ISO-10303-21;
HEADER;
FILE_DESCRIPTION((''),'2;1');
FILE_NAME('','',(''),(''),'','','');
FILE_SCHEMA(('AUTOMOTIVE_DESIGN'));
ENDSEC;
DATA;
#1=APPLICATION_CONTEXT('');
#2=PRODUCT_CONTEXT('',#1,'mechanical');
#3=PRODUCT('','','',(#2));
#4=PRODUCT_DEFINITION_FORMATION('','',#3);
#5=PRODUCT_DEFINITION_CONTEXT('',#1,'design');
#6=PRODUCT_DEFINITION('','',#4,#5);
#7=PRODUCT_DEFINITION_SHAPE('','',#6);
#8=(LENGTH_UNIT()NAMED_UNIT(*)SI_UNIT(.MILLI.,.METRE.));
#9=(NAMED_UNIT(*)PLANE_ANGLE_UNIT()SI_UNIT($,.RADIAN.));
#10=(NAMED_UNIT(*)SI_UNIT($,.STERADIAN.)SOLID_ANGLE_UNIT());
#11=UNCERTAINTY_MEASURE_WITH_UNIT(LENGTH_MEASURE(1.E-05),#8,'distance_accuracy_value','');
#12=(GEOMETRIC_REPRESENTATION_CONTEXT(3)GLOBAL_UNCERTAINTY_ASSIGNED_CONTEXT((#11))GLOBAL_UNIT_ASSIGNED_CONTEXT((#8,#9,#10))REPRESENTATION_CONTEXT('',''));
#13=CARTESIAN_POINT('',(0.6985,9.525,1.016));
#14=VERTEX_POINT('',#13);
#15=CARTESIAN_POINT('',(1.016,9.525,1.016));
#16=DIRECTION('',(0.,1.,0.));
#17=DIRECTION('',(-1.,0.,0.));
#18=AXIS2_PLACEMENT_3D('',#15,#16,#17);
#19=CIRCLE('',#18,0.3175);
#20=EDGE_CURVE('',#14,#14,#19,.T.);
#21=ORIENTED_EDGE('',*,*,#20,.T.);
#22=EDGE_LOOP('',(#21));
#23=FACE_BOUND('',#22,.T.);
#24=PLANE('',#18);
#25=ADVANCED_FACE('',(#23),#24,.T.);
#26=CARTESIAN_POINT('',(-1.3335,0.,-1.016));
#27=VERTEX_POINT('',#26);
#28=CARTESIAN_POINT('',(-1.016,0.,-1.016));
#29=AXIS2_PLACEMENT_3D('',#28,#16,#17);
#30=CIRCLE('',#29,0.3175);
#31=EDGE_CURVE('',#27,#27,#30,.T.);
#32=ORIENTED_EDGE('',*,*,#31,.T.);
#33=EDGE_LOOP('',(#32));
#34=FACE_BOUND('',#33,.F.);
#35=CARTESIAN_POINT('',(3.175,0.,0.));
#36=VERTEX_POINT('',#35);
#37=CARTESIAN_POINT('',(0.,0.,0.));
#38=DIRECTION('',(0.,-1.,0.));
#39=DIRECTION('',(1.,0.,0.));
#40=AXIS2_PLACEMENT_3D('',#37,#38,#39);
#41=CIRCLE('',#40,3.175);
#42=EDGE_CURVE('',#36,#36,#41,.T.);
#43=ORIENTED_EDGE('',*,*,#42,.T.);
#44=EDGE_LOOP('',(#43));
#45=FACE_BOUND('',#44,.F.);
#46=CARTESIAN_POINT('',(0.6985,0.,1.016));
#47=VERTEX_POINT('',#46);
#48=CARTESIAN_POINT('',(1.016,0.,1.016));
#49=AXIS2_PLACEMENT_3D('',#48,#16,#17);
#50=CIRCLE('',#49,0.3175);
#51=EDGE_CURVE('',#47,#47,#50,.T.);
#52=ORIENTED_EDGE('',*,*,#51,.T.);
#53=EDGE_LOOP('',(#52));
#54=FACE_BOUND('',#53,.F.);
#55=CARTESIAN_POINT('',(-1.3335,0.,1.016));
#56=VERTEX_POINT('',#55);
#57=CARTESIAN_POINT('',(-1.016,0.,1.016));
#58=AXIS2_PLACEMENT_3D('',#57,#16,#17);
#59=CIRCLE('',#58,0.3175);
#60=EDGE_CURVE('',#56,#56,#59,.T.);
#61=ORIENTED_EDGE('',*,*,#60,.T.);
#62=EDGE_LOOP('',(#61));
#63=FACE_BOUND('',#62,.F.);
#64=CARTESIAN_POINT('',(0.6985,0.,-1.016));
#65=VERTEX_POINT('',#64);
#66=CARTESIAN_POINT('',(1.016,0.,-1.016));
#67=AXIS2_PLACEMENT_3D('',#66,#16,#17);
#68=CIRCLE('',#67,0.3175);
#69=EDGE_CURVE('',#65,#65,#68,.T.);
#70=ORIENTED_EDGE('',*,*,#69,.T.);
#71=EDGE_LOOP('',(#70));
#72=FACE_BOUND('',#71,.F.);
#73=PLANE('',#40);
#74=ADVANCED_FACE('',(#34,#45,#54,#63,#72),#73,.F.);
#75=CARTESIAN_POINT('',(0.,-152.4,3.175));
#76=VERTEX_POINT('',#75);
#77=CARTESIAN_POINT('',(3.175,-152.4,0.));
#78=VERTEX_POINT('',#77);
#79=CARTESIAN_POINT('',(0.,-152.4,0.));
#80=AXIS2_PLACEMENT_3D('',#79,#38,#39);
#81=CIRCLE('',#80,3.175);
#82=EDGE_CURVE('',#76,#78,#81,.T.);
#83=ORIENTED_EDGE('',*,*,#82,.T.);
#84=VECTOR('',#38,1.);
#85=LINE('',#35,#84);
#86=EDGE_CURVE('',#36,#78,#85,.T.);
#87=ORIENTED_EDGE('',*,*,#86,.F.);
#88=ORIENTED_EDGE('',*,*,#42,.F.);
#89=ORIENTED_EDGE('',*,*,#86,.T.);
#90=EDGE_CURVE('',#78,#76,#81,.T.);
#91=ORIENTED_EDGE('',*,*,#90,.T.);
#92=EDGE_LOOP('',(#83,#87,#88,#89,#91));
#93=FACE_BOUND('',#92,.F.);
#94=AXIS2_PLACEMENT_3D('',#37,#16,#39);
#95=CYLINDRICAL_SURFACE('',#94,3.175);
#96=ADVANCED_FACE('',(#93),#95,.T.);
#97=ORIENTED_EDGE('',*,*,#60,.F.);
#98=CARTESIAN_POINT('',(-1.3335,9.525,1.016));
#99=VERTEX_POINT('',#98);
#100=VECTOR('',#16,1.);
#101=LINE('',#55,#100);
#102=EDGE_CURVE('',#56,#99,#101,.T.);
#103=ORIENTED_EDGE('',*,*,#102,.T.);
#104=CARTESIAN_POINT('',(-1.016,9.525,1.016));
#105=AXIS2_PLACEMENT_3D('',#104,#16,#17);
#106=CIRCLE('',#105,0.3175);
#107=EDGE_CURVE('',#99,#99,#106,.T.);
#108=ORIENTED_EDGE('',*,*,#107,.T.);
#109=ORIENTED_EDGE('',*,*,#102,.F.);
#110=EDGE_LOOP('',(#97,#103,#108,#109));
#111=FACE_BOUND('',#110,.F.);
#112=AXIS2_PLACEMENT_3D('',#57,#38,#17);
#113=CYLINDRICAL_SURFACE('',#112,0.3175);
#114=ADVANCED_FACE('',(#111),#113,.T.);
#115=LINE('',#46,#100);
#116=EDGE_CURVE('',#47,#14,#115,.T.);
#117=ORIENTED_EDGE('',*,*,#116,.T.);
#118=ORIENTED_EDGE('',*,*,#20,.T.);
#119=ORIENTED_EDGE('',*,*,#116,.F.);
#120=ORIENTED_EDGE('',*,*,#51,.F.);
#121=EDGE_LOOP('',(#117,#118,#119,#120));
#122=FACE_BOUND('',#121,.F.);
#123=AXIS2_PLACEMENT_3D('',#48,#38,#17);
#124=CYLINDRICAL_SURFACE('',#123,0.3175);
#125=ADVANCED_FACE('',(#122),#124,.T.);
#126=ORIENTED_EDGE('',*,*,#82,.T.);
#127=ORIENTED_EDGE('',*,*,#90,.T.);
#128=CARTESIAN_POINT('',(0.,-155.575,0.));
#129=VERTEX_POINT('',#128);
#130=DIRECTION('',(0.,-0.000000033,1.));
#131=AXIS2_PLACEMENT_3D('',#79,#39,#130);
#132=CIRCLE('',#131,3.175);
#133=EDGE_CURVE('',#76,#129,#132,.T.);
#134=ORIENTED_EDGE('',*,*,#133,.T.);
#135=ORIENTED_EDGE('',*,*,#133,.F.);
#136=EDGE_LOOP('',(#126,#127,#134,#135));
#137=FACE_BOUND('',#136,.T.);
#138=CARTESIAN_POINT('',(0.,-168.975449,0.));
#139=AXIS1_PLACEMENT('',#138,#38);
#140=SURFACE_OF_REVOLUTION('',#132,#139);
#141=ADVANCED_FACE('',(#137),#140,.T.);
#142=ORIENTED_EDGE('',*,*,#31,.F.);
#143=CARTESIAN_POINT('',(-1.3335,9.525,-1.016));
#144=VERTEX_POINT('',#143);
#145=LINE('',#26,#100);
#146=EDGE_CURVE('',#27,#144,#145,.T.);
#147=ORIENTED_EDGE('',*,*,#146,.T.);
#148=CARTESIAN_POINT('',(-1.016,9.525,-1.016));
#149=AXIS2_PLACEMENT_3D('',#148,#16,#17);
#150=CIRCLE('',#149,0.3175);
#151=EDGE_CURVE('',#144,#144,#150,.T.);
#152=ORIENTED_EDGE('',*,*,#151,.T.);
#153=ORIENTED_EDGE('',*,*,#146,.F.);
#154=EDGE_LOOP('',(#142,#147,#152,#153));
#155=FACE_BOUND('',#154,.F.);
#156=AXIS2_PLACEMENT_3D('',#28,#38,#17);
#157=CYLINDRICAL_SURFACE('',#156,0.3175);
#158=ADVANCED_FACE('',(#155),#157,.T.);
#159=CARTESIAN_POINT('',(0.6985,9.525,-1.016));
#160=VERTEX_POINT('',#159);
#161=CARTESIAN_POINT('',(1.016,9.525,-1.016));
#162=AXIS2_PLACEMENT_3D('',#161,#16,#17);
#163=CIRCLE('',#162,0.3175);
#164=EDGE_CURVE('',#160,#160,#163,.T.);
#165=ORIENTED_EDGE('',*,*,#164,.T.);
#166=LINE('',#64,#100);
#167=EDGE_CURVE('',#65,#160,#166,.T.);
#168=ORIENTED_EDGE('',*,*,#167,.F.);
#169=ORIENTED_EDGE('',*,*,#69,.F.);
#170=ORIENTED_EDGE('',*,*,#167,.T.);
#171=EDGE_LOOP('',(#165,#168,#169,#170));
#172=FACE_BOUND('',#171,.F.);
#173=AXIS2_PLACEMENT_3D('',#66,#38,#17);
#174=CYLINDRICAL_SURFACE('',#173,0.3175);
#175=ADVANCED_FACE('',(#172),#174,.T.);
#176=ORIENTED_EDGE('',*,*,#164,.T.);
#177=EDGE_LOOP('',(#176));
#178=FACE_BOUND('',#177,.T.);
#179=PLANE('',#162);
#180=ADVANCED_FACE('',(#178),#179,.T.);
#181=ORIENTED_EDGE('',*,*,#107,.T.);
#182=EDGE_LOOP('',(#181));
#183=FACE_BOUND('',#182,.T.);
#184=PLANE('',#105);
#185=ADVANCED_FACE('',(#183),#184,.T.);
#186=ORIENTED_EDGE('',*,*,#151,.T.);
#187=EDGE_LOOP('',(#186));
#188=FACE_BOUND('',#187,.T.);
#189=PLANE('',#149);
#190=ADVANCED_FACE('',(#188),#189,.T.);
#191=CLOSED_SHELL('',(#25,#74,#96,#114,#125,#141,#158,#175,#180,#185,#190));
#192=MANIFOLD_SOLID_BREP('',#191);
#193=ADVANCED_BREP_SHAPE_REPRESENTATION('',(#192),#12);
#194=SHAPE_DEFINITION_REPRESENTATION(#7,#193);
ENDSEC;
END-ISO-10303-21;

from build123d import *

# Parameters (mm, degrees)
F0_R     = 3.175
F1_DEPTH = 152.4
F4_R     = 0.3175
F5_DEPTH = 9.525


with BuildPart() as f1:
    # F0 (on Front) → F1 (new body)
    with BuildSketch(Plane.XZ):
        Circle(F0_R)
    extrude(amount=F1_DEPTH)

    # F2 (on Right) → F3 (revolve)
    with BuildSketch(Plane.YZ):
        with BuildLine():
            Line((-152.4, 0), (-152.4, 3.175))
            ThreePointArc((-152.4, 3.175), (-154.645064, 2.245064), (-155.575, 0))
            Line((-155.575, 0), (-152.4, 0))
        make_face()
    revolve(axis=Axis((0, -168.975449, 0), (0, -1, 0)))

    # F4 (on face) → F5 (join)
    with BuildSketch(Plane(origin=(0, 0, 0), x_dir=(-1, 0, 0), z_dir=(0, 1, 0))):
        with Locations((1.016, -1.016)):
            Circle(F4_R)
        with Locations((-1.016, -1.016)):
            Circle(F4_R)
        with Locations((1.016, 1.016)):
            Circle(F4_R)
        with Locations((-1.016, 1.016)):
            Circle(F4_R)
    extrude(amount=F5_DEPTH)


solid = f1.part
